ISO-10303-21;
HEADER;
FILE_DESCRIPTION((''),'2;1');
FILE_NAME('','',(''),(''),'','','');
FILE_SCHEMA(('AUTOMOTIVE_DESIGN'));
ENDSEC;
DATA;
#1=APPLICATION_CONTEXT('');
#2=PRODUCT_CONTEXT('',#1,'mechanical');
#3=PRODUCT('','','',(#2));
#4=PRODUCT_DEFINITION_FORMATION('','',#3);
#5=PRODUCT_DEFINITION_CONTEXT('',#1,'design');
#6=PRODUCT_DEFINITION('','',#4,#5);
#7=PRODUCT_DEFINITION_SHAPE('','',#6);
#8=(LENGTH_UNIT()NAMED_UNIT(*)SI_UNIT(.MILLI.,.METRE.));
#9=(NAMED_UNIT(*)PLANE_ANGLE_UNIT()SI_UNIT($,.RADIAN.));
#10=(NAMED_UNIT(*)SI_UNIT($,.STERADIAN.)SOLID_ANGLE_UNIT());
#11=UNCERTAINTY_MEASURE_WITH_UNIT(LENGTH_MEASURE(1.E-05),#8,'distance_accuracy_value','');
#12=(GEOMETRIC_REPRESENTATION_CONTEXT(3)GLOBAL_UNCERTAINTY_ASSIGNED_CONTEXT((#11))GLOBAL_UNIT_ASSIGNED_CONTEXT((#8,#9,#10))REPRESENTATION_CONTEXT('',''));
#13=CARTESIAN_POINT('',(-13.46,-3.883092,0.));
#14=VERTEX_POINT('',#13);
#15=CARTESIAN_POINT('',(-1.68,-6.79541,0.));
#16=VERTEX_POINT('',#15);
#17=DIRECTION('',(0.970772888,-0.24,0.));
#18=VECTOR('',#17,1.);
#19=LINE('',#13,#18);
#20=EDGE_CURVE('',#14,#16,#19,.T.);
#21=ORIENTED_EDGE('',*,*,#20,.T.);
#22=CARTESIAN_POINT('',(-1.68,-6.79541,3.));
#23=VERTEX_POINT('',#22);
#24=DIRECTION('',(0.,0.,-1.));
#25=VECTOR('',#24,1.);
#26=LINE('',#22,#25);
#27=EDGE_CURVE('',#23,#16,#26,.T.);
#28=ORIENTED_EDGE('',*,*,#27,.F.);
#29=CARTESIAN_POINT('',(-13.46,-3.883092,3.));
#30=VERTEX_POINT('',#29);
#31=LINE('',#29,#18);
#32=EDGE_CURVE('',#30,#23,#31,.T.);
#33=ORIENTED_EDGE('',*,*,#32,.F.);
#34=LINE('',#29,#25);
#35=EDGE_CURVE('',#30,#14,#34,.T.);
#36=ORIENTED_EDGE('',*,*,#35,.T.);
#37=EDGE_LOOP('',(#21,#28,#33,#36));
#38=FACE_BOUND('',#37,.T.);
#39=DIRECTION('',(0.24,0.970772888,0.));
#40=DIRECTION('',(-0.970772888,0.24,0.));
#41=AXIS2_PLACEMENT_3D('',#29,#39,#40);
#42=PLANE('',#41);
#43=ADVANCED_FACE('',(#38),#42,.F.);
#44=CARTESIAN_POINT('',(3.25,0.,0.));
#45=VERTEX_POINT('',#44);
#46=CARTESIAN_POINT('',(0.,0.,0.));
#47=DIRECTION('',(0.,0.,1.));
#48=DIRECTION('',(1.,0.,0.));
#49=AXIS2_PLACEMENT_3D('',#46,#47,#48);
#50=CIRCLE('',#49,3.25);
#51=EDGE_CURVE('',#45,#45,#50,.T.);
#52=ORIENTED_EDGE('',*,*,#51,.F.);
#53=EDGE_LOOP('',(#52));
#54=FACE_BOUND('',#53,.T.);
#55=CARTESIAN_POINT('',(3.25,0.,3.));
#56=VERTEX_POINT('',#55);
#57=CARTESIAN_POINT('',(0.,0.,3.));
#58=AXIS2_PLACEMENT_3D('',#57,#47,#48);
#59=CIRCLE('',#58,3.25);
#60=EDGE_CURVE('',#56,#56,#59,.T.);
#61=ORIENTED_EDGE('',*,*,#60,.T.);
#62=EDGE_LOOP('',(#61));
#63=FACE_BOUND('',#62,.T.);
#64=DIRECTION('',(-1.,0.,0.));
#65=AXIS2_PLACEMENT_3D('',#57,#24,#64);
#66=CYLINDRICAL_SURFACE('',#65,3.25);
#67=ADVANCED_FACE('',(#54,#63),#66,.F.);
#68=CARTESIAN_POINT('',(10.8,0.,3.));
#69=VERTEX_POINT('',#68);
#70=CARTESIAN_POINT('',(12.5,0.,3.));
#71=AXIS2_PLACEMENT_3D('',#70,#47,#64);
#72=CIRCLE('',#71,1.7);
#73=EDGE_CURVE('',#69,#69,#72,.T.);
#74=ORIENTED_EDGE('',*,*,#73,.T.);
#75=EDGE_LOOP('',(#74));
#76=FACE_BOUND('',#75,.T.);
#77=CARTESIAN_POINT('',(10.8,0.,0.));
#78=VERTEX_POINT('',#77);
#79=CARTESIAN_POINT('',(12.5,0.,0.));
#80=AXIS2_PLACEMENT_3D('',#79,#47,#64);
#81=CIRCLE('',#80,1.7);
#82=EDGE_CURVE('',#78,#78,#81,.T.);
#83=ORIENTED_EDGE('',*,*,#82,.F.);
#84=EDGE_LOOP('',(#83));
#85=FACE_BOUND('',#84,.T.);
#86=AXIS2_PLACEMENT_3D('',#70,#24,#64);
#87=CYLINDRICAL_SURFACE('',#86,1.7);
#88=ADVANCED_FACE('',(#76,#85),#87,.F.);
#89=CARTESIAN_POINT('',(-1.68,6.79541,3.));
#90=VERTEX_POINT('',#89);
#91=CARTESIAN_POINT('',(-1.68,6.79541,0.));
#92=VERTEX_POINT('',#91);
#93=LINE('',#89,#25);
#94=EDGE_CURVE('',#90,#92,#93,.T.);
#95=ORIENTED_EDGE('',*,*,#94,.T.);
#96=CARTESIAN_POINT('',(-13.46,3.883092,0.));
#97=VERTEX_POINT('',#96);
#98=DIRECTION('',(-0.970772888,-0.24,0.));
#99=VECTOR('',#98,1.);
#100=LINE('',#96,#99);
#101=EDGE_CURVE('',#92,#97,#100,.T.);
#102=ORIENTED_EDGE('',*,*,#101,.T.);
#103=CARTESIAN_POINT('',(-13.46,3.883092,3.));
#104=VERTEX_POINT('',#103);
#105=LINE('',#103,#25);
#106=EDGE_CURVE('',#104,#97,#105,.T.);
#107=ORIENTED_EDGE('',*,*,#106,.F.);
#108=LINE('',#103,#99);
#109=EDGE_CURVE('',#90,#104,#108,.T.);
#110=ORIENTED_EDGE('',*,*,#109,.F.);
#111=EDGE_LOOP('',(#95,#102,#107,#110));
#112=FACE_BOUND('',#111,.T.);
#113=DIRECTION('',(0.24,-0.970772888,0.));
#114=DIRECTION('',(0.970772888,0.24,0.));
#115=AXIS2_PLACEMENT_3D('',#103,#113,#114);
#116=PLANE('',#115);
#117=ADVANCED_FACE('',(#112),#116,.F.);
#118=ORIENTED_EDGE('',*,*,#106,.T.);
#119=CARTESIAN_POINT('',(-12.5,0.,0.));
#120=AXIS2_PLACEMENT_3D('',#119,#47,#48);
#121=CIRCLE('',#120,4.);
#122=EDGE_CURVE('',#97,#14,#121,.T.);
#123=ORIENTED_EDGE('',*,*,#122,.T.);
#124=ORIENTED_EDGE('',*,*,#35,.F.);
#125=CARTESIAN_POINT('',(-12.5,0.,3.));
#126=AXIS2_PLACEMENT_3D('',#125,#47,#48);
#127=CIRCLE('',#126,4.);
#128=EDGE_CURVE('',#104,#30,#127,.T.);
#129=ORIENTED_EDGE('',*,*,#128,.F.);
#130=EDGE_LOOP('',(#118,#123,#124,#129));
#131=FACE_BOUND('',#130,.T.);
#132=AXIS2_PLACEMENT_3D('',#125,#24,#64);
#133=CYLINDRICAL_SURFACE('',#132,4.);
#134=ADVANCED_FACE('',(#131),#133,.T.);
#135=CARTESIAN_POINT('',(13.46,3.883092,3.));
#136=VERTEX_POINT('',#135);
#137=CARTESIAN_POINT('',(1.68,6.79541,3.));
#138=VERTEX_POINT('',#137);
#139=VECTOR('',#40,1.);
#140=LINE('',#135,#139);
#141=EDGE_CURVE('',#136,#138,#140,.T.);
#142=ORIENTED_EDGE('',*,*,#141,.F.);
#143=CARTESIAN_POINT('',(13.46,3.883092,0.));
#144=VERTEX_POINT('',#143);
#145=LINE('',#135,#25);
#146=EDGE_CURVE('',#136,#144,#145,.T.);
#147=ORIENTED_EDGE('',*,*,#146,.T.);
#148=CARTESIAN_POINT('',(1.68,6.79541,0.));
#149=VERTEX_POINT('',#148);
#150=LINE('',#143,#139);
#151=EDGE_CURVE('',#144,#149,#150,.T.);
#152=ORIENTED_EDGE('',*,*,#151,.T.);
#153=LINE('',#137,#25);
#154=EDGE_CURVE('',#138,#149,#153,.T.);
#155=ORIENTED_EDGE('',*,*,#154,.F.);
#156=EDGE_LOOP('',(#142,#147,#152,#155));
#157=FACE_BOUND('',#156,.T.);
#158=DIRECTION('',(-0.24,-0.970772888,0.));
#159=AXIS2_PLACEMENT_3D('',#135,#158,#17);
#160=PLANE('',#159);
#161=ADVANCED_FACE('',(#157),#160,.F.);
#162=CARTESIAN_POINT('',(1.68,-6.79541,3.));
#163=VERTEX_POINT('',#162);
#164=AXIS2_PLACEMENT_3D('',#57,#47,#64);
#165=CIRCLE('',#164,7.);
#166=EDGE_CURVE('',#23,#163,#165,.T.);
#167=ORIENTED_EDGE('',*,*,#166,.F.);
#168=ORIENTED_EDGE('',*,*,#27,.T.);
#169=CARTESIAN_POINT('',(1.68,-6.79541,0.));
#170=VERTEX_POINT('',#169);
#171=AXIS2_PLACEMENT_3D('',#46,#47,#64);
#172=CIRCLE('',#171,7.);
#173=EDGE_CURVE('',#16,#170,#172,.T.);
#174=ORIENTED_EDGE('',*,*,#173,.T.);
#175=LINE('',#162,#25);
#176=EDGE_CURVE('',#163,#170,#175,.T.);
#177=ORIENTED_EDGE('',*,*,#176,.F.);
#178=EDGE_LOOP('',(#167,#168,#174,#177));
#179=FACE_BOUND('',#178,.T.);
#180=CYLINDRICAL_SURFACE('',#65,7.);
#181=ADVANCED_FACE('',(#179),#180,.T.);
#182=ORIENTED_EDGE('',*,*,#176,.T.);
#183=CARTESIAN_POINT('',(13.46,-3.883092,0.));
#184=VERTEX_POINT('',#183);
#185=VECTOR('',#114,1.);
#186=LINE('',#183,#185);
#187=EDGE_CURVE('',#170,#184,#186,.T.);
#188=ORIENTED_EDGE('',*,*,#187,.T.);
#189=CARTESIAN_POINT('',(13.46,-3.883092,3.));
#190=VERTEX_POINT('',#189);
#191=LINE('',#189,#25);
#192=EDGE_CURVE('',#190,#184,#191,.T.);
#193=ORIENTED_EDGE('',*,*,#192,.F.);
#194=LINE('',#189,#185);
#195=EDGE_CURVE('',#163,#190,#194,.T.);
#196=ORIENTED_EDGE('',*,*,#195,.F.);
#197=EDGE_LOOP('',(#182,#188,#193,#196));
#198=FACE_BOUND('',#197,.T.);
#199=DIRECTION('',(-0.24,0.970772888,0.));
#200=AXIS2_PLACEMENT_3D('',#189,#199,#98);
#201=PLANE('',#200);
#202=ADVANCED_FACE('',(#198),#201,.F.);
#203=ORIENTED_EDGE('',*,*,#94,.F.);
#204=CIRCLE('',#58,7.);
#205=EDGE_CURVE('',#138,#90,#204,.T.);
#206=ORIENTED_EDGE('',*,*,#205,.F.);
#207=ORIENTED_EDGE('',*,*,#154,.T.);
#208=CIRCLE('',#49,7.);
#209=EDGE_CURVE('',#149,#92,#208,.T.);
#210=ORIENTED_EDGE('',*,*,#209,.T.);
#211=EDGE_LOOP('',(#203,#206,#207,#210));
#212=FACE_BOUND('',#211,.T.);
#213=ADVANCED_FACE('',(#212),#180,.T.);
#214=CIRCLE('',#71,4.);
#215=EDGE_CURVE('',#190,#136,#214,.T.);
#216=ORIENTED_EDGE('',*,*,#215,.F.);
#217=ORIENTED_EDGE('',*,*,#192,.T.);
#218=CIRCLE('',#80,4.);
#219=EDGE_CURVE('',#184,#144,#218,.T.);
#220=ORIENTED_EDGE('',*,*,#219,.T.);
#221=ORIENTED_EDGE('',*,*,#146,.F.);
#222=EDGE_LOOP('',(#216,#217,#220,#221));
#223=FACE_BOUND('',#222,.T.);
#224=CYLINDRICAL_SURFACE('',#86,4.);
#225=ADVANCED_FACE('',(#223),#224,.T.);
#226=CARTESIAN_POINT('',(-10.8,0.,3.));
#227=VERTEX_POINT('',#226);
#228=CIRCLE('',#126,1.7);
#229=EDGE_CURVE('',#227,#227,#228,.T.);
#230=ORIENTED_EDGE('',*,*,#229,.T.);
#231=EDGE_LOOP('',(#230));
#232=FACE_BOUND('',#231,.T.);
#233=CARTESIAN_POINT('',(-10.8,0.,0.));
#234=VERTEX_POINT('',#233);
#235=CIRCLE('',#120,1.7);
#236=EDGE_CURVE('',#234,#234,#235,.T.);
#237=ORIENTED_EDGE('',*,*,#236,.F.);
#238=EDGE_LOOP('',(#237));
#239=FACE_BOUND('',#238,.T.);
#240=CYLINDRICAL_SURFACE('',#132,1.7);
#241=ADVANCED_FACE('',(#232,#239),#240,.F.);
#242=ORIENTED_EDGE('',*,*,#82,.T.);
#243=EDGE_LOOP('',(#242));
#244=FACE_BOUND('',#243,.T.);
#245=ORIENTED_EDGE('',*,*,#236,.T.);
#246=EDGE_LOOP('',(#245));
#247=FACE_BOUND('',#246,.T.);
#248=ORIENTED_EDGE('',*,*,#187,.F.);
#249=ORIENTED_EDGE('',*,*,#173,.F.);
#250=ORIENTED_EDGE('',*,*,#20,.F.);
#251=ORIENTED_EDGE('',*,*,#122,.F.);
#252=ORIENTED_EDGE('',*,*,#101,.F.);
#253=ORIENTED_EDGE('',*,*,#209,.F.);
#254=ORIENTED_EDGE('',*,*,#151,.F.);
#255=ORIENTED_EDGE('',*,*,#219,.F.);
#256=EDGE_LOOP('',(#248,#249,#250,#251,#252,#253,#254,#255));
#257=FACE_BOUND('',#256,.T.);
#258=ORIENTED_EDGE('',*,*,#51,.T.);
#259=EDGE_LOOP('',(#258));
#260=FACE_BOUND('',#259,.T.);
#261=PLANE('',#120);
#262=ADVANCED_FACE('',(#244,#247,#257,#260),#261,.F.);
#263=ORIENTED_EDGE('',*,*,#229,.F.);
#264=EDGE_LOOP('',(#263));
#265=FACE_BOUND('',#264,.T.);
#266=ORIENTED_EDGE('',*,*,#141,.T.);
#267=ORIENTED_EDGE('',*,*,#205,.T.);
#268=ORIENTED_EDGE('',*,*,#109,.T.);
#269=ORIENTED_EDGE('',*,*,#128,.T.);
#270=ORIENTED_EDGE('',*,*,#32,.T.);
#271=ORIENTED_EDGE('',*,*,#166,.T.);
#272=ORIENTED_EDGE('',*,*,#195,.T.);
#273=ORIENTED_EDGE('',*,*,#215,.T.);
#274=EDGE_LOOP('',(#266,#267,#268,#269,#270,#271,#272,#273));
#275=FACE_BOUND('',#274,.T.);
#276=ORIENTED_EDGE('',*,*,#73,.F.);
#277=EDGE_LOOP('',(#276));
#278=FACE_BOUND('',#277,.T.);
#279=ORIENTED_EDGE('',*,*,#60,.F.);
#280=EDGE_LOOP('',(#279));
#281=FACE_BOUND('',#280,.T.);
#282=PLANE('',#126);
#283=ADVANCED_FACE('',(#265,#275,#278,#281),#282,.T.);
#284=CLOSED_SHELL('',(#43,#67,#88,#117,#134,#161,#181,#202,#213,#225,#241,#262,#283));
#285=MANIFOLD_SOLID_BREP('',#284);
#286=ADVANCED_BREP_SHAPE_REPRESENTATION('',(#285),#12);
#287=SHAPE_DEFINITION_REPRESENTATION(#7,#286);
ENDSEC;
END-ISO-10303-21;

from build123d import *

# Parameters (mm, degrees)
SKETCH_1_R      = 1.7
SKETCH_1_R_2    = 3.25
EXTRUDE_1_DEPTH = 3


with BuildPart() as part:
    # 草图1 → 凸台-拉伸1 (new body)
    with BuildSketch(Plane.XY):
        with BuildLine():
            Line((-13.46, 3.883091552), (-1.68, 6.795410216))
            ThreePointArc((-1.68, 6.795410216), (0, 7), (1.68, 6.795410216))
            Line((1.68, 6.795410216), (13.46, 3.883091552))
            ThreePointArc((13.46, 3.883091552), (16.5, 0), (13.46, -3.883091552))
            Line((13.46, -3.883091552), (1.68, -6.795410216))
            ThreePointArc((1.68, -6.795410216), (0, -7), (-1.68, -6.795410216))
            Line((-1.68, -6.795410216), (-13.46, -3.883091552))
            ThreePointArc((-13.46, -3.883091552), (-16.5, 0), (-13.46, 3.883091552))
        make_face()
        with Locations((-12.5, 0)):
            Circle(SKETCH_1_R, mode=Mode.SUBTRACT)
        Circle(SKETCH_1_R_2, mode=Mode.SUBTRACT)
        with Locations(Location((12.5, 0, 0), (0, 0, 180))):
            Circle(SKETCH_1_R, mode=Mode.SUBTRACT)
    extrude(amount=EXTRUDE_1_DEPTH)


solid = part.part
